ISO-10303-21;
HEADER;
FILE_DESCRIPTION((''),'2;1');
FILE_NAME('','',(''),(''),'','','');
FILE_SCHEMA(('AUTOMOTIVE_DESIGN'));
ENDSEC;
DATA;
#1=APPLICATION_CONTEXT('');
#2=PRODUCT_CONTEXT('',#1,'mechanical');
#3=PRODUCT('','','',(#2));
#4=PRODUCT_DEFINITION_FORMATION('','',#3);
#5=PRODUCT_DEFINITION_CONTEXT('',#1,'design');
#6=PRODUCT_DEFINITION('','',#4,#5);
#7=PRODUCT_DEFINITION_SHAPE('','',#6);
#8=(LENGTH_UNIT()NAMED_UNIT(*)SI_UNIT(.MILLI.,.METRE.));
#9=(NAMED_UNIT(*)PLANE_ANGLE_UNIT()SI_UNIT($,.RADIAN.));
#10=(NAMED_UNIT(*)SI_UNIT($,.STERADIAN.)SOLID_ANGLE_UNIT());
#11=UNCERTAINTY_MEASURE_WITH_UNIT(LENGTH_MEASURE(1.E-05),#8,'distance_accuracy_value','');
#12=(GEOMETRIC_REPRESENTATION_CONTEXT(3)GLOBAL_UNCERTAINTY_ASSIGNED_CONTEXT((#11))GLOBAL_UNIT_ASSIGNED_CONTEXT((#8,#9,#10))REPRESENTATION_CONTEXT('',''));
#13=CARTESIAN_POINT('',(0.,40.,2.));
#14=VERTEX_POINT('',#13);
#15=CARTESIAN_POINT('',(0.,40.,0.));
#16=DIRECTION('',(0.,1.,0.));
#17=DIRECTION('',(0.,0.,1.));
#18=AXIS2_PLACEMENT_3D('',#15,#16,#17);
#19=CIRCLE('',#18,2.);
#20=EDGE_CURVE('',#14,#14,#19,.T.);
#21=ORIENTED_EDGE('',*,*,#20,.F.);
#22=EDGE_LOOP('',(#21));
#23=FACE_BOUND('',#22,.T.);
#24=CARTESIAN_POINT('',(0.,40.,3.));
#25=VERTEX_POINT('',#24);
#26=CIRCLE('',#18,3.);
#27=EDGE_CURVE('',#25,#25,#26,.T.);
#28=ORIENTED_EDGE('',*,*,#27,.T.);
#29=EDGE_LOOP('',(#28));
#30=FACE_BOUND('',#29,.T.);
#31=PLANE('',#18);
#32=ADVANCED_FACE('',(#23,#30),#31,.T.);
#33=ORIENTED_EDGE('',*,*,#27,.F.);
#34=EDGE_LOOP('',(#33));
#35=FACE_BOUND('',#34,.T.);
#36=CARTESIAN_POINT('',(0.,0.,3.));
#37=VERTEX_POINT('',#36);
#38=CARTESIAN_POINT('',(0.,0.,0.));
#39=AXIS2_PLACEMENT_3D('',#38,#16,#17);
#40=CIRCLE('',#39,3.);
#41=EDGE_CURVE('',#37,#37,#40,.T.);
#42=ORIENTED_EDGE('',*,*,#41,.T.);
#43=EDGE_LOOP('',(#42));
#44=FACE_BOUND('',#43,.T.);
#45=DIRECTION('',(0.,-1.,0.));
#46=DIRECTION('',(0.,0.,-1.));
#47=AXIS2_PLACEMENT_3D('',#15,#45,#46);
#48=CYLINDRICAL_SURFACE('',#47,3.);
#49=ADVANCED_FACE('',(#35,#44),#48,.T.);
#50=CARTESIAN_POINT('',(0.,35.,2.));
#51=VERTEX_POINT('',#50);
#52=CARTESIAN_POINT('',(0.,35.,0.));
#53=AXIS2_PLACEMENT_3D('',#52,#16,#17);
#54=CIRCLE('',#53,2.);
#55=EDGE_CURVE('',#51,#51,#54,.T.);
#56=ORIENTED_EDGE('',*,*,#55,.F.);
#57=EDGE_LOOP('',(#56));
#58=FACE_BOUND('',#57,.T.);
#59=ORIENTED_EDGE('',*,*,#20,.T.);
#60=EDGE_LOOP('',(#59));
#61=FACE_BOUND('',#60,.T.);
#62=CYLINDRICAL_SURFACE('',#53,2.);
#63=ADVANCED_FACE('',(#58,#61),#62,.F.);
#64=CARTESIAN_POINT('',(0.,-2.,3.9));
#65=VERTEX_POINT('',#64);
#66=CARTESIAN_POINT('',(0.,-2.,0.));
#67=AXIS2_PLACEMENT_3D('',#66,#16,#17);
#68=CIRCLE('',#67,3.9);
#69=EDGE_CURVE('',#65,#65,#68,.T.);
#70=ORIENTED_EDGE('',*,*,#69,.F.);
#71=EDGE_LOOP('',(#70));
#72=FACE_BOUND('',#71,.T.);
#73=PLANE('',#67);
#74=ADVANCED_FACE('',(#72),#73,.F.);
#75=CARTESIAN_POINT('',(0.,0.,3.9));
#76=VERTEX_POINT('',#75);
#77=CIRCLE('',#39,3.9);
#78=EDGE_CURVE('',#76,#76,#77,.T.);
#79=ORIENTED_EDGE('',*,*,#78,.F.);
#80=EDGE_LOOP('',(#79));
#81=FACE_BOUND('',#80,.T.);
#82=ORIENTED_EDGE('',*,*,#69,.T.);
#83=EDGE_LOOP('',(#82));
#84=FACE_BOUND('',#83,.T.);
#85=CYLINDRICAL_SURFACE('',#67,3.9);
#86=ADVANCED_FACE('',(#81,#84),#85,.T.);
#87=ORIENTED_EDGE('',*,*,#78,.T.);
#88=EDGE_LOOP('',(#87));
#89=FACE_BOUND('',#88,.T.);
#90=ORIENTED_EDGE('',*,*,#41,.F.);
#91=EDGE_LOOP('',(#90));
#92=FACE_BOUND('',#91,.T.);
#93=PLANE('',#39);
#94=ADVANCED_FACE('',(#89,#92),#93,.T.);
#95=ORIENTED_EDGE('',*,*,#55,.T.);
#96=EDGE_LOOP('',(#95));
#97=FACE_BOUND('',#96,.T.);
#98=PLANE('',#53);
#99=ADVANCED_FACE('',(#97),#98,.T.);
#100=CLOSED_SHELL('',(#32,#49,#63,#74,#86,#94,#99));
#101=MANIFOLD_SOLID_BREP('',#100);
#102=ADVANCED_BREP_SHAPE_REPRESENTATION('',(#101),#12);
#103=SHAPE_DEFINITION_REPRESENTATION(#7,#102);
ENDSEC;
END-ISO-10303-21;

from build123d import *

# Parameters (mm, degrees)
SKETCH1_R           = 3.9
BOSS_EXTRUDE1_DEPTH = 2
SKETCH2_R           = 3
BOSS_EXTRUDE2_DEPTH = 40
SKETCH3_R           = 2
CUT_EXTRUDE1_DEPTH  = 5


with BuildPart() as part:
    # Sketch1 → Boss-Extrude1 (new body)
    with BuildSketch(Plane(origin=(0, 0, 0), x_dir=(1, 0, 0), z_dir=(0, 1, 0))):
        Circle(SKETCH1_R)
    extrude(amount=-BOSS_EXTRUDE1_DEPTH)

    # Sketch2 → Boss-Extrude2 (add)
    with BuildSketch(Plane(origin=(0, 0, 0), x_dir=(1, 0, 0), z_dir=(0, 1, 0))):
        Circle(SKETCH2_R)
    extrude(amount=BOSS_EXTRUDE2_DEPTH)

    # Sketch3 → Cut-Extrude1 (cut)
    with BuildSketch(Plane(origin=(0, 40, 0), x_dir=(1, 0, 0), z_dir=(0, 1, 0))):
        Circle(SKETCH3_R)
    extrude(amount=-CUT_EXTRUDE1_DEPTH, mode=Mode.SUBTRACT)


solid = part.part
